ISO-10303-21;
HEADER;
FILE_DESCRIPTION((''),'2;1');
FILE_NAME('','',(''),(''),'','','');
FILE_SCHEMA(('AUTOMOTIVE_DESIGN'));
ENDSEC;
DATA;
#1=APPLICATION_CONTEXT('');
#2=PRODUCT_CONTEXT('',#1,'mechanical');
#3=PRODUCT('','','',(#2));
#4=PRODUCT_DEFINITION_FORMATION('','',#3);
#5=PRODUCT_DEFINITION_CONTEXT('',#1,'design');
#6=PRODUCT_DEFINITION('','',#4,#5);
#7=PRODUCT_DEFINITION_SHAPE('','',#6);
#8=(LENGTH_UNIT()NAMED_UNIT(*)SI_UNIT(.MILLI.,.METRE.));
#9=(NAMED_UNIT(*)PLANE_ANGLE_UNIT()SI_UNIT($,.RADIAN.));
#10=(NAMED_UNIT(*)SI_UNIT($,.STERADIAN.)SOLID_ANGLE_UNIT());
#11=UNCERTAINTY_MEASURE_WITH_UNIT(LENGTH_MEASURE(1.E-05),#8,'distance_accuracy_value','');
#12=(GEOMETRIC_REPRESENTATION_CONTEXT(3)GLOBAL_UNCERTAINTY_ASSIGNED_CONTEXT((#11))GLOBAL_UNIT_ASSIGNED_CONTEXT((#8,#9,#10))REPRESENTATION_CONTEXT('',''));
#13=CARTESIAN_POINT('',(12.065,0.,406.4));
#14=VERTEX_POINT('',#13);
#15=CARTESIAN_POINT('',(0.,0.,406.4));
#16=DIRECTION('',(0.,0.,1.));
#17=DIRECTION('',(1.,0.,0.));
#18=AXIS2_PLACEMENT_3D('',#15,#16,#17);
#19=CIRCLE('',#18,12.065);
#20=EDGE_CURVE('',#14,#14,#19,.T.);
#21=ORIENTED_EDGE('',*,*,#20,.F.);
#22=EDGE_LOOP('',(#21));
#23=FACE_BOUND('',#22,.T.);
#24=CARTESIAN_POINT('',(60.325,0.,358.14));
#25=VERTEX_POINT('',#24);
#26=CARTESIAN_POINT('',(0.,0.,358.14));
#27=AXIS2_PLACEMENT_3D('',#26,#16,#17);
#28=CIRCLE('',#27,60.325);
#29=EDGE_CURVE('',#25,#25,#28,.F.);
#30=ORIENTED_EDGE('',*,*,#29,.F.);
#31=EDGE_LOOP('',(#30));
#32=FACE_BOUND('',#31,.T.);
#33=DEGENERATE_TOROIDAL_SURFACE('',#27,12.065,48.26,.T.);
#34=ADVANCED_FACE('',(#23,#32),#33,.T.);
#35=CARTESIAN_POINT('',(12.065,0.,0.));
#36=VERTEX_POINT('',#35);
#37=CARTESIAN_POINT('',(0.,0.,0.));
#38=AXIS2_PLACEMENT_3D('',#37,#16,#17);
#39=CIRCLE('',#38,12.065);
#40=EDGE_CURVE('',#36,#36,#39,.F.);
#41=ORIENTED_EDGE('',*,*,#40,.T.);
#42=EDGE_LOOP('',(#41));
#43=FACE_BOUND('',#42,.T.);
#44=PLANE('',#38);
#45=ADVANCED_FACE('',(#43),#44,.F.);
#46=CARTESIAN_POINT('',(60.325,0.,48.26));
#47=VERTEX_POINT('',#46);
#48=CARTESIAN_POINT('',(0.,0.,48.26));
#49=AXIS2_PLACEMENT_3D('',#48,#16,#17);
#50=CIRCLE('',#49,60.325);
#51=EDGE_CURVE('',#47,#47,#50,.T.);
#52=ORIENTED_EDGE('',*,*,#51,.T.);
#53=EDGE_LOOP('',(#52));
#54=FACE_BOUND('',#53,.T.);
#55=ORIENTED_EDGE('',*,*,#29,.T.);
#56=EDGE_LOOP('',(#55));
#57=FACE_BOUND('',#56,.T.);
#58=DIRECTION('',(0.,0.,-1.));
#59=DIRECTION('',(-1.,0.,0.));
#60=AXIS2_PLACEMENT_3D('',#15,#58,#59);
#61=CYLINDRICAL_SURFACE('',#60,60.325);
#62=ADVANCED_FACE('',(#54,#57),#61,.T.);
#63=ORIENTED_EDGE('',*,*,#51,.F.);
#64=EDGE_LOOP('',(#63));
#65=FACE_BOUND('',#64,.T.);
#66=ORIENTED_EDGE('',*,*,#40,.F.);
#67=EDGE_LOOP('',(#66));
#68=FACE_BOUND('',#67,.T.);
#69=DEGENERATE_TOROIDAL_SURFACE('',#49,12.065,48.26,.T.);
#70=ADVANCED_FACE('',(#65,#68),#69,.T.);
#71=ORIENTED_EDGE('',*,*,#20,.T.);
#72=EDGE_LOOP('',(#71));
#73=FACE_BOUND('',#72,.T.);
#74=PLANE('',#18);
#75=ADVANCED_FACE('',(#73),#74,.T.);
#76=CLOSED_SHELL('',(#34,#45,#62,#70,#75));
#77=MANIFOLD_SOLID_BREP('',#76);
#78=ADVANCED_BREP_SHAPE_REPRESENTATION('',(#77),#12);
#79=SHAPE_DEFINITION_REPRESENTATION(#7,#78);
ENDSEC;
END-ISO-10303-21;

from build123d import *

# Parameters (mm, degrees)
SKETCH1_R      = 60.325
EXTRUDE1_DEPTH = 406.4
FILLET1_R      = 48.26


with BuildPart() as part:
    # Sketch1 → Extrude1 (new body)
    with BuildSketch(Plane.XY):
        Circle(SKETCH1_R)
    extrude(amount=EXTRUDE1_DEPTH)

    # Fillet1
    fillet1_edges = [part.edges().sort_by_distance(p)[0] for p in [
        (-60.325, 0, 0),
        (-60.325, 0, 406.4),
    ]]
    fillet(fillet1_edges, radius=FILLET1_R)


solid = part.part
